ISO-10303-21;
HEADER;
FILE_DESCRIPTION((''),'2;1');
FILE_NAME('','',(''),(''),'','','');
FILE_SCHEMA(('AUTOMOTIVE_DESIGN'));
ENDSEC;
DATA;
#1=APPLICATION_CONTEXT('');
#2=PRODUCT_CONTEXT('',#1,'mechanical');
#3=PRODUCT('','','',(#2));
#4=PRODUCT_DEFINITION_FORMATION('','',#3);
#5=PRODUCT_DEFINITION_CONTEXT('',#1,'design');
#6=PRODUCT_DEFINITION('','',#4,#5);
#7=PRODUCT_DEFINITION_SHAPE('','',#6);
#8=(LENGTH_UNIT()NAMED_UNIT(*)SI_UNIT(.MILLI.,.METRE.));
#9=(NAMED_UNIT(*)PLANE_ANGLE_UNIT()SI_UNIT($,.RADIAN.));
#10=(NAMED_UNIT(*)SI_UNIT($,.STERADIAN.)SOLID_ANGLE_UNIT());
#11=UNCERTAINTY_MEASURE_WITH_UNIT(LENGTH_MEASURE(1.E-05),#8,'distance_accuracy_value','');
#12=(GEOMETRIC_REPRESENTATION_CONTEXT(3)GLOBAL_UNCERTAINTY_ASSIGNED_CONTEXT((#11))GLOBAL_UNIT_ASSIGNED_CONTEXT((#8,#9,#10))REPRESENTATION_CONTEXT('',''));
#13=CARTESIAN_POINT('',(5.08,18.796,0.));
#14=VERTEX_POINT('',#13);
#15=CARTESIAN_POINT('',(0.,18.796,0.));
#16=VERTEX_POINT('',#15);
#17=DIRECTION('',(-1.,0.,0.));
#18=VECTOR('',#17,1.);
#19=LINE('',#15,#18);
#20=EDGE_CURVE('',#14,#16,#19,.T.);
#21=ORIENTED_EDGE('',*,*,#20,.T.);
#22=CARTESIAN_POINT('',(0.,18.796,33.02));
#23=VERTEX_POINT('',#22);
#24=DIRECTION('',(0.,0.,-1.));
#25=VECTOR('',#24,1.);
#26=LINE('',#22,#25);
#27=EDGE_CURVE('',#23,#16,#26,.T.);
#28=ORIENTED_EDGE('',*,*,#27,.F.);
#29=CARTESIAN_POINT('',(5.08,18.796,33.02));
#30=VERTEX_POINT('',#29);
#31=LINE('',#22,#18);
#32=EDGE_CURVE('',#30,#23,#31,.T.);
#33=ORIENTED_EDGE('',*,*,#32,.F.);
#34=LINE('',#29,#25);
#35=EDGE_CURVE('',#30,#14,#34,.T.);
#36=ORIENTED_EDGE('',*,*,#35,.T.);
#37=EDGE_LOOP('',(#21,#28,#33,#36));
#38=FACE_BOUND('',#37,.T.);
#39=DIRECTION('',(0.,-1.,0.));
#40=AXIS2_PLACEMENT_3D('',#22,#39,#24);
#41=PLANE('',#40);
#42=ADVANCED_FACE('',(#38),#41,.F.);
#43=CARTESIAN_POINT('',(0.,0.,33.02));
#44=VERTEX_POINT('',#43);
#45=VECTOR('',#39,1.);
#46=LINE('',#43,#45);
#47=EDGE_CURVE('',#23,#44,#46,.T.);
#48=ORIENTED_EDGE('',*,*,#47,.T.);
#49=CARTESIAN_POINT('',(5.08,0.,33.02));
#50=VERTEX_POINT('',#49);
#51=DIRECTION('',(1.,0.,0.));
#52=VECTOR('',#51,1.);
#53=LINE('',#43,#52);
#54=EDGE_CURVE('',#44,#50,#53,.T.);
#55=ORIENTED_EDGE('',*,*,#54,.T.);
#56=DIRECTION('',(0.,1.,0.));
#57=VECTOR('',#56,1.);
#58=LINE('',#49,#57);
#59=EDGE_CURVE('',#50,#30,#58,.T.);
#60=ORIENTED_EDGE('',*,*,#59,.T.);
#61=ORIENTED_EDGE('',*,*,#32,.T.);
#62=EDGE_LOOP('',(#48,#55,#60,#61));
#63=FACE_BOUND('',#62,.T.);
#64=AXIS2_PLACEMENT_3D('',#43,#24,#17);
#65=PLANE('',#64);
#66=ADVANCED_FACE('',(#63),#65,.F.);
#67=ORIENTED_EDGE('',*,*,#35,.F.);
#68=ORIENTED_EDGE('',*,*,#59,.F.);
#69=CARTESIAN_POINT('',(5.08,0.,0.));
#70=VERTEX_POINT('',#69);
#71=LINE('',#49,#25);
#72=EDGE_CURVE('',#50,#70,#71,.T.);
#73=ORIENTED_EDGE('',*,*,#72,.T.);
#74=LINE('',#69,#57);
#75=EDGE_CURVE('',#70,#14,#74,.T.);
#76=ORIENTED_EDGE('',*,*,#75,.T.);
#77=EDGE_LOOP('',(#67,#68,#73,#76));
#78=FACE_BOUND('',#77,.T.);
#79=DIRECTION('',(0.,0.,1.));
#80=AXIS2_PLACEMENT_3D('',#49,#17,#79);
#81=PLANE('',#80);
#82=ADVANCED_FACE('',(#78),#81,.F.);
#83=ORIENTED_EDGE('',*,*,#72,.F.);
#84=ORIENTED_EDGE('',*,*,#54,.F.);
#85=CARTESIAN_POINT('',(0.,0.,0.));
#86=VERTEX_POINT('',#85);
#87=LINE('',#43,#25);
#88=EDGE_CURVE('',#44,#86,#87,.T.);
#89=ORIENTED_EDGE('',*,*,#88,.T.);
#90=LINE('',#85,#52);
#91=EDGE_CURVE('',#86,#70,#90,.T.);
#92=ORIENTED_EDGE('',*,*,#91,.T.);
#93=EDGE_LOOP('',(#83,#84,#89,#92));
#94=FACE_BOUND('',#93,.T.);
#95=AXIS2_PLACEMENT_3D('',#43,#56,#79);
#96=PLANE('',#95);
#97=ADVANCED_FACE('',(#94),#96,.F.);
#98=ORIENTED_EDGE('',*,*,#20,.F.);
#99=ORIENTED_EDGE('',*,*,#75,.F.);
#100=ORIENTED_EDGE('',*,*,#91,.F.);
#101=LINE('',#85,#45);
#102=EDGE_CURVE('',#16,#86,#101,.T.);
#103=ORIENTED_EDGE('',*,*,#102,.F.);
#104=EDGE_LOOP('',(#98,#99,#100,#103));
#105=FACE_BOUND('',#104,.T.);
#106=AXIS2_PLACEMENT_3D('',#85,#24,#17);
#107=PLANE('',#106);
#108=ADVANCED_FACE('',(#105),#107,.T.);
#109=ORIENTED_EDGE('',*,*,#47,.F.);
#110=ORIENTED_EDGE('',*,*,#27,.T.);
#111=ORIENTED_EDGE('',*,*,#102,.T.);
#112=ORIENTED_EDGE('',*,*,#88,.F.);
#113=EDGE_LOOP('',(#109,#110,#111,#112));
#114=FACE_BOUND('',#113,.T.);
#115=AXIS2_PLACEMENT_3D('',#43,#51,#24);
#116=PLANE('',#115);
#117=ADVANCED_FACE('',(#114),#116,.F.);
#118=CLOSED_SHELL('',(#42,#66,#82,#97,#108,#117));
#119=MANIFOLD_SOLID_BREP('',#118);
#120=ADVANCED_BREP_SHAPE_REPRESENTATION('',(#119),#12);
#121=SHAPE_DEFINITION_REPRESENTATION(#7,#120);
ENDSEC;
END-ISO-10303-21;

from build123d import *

# Parameters (mm, degrees)
SKETCH1_W           = 5.08
SKETCH1_H           = 18.796
BOSS_EXTRUDE1_DEPTH = 33.02


with BuildPart() as part:
    # Sketch1 → Boss-Extrude1 (new body)
    with BuildSketch(Plane.XY):
        with Locations((2.54, 9.398)):
            Rectangle(SKETCH1_W, SKETCH1_H)
    extrude(amount=BOSS_EXTRUDE1_DEPTH)


solid = part.part
